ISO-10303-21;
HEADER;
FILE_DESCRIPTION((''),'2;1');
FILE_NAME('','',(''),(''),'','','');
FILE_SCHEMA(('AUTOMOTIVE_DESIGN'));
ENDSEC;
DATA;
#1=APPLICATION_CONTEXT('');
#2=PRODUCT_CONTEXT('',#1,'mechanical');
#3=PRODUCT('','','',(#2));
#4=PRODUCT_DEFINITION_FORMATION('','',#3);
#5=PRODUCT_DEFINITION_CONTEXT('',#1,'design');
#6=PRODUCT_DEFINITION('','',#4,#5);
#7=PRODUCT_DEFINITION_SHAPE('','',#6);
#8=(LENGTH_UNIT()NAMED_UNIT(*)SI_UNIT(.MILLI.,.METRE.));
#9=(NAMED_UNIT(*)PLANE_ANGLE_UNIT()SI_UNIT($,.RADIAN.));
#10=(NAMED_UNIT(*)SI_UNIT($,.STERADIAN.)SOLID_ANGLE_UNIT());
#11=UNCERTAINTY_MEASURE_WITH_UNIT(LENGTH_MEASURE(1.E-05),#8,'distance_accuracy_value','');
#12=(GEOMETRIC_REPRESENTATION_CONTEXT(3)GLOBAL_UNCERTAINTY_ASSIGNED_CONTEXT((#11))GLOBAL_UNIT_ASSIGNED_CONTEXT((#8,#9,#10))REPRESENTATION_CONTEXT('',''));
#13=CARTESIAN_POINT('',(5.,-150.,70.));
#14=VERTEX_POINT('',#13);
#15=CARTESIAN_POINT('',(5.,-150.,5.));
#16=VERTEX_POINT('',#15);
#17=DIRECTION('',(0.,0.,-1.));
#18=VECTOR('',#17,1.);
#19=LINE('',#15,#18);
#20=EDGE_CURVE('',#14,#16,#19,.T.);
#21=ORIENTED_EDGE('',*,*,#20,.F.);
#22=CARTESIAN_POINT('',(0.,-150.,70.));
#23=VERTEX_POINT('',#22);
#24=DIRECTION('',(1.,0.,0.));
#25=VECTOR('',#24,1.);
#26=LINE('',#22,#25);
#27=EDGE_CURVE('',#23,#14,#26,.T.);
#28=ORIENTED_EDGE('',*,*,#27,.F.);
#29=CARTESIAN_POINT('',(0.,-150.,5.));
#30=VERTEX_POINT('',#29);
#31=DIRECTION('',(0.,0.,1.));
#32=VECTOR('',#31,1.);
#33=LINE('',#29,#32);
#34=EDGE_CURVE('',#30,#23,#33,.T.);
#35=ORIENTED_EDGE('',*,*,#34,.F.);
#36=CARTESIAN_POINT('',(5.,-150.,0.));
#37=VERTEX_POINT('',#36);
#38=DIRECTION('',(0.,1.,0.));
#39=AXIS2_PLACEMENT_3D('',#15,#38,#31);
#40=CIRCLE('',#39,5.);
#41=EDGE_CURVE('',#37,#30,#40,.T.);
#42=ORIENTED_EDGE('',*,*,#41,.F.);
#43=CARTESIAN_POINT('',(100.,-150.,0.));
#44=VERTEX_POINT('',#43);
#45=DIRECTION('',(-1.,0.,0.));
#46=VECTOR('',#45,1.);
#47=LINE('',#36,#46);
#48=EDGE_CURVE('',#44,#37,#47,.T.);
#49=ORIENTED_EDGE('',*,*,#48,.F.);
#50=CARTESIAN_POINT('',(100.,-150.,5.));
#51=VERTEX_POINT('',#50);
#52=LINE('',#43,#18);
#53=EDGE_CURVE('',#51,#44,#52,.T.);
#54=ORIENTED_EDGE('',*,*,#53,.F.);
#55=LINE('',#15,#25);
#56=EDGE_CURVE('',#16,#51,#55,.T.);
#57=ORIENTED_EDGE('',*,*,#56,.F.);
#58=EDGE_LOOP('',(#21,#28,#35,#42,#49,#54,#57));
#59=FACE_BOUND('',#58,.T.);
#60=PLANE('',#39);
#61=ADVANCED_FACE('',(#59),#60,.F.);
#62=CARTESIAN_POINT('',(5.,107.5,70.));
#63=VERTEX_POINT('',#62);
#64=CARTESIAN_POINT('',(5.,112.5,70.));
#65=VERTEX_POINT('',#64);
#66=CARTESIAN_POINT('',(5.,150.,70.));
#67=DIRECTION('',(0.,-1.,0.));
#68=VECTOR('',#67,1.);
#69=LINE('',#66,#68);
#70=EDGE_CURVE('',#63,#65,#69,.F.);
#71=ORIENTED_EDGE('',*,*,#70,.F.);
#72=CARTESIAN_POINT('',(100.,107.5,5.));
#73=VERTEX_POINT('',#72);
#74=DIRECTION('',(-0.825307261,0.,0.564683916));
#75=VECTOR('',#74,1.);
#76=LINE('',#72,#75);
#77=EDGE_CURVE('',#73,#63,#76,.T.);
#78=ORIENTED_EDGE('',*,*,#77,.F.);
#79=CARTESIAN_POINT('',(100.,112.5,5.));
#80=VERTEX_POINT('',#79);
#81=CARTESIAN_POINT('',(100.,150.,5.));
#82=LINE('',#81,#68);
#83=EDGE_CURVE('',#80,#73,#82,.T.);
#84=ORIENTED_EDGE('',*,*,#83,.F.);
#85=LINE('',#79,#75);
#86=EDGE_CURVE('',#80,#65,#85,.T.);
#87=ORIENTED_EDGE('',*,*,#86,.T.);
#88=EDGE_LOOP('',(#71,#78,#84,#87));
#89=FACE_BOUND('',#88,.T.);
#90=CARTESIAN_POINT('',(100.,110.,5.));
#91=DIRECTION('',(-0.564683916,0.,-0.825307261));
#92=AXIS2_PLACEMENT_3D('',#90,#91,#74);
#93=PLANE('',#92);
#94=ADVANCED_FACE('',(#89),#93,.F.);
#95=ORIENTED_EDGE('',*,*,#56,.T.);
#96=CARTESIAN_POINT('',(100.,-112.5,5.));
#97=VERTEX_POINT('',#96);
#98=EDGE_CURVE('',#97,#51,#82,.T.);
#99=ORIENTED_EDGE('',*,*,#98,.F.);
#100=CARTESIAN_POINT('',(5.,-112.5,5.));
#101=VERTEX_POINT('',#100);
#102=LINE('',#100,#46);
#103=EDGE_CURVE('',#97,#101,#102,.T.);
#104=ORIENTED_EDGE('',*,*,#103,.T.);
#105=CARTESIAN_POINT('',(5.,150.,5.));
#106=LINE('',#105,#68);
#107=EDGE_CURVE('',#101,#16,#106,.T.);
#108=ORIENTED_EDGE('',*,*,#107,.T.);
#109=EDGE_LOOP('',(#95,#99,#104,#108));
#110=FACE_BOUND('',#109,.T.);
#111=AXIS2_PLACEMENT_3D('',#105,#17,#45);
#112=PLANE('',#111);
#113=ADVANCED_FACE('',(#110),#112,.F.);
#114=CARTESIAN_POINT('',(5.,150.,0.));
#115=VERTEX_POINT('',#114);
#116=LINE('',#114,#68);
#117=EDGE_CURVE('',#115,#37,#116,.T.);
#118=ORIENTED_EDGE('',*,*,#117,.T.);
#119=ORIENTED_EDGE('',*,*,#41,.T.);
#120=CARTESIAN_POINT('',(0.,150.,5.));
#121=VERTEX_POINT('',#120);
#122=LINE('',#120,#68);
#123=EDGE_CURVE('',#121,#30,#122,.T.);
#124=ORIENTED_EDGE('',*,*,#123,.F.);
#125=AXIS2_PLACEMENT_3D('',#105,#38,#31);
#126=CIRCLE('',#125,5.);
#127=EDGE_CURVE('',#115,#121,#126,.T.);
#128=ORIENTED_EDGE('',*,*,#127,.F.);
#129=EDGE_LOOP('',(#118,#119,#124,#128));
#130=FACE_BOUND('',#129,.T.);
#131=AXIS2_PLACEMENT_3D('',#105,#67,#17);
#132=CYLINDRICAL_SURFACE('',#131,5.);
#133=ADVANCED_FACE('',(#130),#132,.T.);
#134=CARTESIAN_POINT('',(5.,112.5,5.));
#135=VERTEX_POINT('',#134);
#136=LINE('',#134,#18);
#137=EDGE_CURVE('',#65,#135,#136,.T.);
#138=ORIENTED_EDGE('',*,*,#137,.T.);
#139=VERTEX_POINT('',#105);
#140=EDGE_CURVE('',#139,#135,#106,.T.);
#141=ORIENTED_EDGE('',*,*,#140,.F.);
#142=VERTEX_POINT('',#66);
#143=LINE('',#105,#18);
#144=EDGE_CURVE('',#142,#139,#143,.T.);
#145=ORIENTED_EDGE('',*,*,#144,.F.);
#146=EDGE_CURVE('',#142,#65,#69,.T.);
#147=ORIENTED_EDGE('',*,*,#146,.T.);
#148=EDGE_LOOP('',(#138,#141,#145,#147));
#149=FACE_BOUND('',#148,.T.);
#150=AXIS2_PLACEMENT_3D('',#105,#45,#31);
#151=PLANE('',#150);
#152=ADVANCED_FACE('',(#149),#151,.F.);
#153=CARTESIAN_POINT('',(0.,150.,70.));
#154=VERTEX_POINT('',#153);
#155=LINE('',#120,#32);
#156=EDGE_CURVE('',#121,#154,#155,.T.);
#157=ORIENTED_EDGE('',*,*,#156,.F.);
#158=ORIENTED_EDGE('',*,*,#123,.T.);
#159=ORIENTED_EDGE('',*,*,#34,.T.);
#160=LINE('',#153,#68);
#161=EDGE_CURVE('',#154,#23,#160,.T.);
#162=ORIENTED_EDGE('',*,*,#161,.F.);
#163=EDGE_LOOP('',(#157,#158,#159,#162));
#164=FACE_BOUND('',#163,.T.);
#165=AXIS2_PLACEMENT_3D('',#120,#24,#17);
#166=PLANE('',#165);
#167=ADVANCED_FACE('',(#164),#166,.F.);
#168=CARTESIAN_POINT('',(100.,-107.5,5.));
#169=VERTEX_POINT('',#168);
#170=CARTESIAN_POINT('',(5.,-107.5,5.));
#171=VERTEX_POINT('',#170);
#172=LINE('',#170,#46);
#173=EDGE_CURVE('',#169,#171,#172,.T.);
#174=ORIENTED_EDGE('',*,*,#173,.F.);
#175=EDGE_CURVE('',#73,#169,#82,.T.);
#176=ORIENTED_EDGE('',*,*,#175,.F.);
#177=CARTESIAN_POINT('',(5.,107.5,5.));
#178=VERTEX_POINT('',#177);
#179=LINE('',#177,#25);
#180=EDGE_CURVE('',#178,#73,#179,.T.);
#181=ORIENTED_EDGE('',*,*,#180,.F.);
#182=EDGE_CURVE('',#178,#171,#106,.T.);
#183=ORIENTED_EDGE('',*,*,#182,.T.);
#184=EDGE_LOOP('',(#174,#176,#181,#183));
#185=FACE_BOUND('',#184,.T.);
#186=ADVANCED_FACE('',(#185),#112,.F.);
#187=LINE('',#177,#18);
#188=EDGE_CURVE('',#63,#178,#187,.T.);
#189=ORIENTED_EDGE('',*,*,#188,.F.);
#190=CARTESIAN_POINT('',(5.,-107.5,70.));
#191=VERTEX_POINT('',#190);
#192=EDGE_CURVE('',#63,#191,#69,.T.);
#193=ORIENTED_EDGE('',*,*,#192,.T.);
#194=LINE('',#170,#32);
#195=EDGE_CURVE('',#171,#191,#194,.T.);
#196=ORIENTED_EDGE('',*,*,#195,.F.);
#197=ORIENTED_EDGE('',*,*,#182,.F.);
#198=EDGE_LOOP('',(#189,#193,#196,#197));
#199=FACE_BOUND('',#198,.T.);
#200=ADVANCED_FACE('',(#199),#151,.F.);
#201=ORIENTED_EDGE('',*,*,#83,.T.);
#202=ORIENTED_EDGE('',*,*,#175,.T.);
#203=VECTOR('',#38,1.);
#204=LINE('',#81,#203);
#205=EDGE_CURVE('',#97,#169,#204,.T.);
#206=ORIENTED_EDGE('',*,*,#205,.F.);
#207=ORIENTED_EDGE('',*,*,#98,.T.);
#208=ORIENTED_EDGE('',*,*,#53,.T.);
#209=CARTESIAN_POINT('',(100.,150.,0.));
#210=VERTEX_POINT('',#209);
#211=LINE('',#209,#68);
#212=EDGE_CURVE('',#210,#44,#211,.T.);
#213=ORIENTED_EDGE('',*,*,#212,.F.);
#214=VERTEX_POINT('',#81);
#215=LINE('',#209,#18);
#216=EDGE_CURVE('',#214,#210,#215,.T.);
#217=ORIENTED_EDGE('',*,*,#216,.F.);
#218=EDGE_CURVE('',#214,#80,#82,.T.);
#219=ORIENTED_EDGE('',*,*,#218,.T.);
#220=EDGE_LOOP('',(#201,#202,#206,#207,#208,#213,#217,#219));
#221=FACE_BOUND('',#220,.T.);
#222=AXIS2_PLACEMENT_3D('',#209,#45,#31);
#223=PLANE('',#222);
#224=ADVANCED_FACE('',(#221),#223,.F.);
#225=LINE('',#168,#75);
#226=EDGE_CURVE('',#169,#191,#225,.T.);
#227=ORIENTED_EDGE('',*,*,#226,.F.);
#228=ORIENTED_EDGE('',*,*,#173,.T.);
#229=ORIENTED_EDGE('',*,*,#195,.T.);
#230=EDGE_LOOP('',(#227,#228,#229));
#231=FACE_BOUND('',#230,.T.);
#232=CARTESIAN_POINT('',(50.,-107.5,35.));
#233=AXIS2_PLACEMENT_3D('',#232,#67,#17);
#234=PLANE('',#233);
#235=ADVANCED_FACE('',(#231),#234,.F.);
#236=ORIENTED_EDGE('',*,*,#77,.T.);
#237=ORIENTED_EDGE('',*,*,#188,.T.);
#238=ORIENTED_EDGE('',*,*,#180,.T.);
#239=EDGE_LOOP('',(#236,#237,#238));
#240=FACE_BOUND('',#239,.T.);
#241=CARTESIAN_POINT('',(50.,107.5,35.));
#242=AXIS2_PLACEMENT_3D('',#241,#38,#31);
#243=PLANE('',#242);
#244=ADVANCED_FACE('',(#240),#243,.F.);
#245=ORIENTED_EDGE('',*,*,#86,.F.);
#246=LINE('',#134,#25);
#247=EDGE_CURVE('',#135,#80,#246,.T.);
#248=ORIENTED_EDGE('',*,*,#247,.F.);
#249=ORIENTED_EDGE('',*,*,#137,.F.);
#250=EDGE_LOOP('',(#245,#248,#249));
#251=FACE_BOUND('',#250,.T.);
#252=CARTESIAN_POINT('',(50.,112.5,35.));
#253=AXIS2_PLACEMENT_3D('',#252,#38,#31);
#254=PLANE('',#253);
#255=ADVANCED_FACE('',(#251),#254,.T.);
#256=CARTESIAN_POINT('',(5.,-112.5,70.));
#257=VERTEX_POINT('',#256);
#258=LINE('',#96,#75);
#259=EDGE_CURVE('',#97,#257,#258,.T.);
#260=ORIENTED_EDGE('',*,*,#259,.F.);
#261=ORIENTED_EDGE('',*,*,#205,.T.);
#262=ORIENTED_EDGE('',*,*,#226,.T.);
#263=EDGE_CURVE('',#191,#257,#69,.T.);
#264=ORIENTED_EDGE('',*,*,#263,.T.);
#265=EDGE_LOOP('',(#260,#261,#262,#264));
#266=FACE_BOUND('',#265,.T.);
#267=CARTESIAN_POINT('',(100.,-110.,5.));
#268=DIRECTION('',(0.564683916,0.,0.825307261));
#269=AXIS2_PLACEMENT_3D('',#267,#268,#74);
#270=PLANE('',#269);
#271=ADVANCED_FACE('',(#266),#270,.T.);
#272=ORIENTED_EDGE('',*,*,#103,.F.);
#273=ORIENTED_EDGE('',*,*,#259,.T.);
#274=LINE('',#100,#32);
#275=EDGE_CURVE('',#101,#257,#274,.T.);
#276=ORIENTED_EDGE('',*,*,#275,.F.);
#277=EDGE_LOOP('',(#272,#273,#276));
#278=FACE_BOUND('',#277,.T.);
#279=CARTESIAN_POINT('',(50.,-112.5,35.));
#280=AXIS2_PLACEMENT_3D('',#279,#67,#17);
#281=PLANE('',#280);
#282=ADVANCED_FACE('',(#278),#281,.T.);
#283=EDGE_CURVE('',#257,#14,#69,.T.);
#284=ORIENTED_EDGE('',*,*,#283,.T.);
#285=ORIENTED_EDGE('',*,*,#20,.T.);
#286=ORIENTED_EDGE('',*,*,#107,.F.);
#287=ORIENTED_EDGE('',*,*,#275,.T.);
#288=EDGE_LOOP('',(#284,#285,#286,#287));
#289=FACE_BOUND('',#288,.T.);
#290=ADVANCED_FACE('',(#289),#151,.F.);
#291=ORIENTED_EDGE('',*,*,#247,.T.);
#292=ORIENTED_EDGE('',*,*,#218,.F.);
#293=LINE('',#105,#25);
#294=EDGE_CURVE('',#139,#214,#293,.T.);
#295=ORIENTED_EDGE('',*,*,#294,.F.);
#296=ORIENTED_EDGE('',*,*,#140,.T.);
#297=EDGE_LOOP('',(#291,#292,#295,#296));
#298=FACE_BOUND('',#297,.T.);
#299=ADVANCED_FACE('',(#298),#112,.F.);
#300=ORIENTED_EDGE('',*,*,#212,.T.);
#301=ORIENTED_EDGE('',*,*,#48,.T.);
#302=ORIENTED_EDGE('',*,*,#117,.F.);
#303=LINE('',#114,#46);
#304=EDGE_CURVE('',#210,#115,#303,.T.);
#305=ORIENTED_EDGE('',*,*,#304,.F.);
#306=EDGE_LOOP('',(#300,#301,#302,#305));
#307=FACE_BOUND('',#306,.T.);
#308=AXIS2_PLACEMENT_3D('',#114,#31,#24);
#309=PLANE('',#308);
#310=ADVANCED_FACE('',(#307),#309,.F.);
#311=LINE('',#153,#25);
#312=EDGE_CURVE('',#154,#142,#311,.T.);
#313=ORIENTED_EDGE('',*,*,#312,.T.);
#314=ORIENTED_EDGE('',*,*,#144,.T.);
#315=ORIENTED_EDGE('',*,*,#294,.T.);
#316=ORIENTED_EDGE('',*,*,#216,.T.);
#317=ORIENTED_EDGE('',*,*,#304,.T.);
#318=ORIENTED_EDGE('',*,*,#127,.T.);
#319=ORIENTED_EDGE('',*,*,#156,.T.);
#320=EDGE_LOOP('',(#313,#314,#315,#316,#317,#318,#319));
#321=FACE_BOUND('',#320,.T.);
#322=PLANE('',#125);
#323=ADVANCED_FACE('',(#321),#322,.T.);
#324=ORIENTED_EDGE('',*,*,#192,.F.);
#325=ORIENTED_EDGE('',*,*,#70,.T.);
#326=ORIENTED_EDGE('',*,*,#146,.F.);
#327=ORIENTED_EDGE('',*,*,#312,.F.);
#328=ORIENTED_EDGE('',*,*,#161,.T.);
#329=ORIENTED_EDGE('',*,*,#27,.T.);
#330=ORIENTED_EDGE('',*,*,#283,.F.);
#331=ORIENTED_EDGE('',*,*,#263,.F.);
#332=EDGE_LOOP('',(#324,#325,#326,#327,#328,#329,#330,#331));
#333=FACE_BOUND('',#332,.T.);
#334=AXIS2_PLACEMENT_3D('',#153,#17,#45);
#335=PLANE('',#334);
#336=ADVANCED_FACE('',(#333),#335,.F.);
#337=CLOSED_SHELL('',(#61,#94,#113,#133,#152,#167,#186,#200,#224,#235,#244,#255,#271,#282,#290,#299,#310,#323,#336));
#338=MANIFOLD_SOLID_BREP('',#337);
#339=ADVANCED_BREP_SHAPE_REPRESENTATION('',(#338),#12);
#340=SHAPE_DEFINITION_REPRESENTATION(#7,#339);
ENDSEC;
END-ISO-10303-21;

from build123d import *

# Parameters (mm, degrees)
SALIENTE_EXTRUIR1_DEPTH = 150
NERVIO1_REACH           = 289.228
CROQUIS2_WALL_W         = 691.564908986
CROQUIS2_WALL_H         = 5


with BuildPart() as part:
    # Croquis1 → Saliente-Extruir1 (new, symmetric)
    with BuildSketch(Plane(origin=(0, 0, 0), x_dir=(1, 0, 0), z_dir=(0, 1, 0))):
        with BuildLine():
            Line((5, 0), (100, 0))
            Line((100, 0), (100, -5))
            Line((100, -5), (5, -5))
            Line((5, -5), (5, -70))
            Line((5, -70), (0, -70))
            Line((0, -70), (0, -5))
            ThreePointArc((0, -5), (1.464466094, -1.464466094), (5, 0))
        make_face()
    extrude(amount=SALIENTE_EXTRUIR1_DEPTH, both=True)

    # Croquis2 wall → Nervio1 (add, up to next)
    with BuildSketch(Plane(origin=(52.5, 110, 37.5), x_dir=(-0.82530726125, 0, 0.564683915592), z_dir=(0.564683915592, 0, 0.82530726125)), mode=Mode.PRIVATE) as nervio1_sk1:
        Rectangle(CROQUIS2_WALL_W, CROQUIS2_WALL_H)
    nervio1_tool1 = extrude(nervio1_sk1.sketch, amount=-NERVIO1_REACH, mode=Mode.PRIVATE) - part.part
    nervio1 = nervio1_tool1.solids().sort_by_distance((52.5, 110, 37.5))[0]
    add(nervio1)

    # Simetría1: Nervio1 across plane
    add(nervio1.mirror(Plane.ZX))


solid = part.part
